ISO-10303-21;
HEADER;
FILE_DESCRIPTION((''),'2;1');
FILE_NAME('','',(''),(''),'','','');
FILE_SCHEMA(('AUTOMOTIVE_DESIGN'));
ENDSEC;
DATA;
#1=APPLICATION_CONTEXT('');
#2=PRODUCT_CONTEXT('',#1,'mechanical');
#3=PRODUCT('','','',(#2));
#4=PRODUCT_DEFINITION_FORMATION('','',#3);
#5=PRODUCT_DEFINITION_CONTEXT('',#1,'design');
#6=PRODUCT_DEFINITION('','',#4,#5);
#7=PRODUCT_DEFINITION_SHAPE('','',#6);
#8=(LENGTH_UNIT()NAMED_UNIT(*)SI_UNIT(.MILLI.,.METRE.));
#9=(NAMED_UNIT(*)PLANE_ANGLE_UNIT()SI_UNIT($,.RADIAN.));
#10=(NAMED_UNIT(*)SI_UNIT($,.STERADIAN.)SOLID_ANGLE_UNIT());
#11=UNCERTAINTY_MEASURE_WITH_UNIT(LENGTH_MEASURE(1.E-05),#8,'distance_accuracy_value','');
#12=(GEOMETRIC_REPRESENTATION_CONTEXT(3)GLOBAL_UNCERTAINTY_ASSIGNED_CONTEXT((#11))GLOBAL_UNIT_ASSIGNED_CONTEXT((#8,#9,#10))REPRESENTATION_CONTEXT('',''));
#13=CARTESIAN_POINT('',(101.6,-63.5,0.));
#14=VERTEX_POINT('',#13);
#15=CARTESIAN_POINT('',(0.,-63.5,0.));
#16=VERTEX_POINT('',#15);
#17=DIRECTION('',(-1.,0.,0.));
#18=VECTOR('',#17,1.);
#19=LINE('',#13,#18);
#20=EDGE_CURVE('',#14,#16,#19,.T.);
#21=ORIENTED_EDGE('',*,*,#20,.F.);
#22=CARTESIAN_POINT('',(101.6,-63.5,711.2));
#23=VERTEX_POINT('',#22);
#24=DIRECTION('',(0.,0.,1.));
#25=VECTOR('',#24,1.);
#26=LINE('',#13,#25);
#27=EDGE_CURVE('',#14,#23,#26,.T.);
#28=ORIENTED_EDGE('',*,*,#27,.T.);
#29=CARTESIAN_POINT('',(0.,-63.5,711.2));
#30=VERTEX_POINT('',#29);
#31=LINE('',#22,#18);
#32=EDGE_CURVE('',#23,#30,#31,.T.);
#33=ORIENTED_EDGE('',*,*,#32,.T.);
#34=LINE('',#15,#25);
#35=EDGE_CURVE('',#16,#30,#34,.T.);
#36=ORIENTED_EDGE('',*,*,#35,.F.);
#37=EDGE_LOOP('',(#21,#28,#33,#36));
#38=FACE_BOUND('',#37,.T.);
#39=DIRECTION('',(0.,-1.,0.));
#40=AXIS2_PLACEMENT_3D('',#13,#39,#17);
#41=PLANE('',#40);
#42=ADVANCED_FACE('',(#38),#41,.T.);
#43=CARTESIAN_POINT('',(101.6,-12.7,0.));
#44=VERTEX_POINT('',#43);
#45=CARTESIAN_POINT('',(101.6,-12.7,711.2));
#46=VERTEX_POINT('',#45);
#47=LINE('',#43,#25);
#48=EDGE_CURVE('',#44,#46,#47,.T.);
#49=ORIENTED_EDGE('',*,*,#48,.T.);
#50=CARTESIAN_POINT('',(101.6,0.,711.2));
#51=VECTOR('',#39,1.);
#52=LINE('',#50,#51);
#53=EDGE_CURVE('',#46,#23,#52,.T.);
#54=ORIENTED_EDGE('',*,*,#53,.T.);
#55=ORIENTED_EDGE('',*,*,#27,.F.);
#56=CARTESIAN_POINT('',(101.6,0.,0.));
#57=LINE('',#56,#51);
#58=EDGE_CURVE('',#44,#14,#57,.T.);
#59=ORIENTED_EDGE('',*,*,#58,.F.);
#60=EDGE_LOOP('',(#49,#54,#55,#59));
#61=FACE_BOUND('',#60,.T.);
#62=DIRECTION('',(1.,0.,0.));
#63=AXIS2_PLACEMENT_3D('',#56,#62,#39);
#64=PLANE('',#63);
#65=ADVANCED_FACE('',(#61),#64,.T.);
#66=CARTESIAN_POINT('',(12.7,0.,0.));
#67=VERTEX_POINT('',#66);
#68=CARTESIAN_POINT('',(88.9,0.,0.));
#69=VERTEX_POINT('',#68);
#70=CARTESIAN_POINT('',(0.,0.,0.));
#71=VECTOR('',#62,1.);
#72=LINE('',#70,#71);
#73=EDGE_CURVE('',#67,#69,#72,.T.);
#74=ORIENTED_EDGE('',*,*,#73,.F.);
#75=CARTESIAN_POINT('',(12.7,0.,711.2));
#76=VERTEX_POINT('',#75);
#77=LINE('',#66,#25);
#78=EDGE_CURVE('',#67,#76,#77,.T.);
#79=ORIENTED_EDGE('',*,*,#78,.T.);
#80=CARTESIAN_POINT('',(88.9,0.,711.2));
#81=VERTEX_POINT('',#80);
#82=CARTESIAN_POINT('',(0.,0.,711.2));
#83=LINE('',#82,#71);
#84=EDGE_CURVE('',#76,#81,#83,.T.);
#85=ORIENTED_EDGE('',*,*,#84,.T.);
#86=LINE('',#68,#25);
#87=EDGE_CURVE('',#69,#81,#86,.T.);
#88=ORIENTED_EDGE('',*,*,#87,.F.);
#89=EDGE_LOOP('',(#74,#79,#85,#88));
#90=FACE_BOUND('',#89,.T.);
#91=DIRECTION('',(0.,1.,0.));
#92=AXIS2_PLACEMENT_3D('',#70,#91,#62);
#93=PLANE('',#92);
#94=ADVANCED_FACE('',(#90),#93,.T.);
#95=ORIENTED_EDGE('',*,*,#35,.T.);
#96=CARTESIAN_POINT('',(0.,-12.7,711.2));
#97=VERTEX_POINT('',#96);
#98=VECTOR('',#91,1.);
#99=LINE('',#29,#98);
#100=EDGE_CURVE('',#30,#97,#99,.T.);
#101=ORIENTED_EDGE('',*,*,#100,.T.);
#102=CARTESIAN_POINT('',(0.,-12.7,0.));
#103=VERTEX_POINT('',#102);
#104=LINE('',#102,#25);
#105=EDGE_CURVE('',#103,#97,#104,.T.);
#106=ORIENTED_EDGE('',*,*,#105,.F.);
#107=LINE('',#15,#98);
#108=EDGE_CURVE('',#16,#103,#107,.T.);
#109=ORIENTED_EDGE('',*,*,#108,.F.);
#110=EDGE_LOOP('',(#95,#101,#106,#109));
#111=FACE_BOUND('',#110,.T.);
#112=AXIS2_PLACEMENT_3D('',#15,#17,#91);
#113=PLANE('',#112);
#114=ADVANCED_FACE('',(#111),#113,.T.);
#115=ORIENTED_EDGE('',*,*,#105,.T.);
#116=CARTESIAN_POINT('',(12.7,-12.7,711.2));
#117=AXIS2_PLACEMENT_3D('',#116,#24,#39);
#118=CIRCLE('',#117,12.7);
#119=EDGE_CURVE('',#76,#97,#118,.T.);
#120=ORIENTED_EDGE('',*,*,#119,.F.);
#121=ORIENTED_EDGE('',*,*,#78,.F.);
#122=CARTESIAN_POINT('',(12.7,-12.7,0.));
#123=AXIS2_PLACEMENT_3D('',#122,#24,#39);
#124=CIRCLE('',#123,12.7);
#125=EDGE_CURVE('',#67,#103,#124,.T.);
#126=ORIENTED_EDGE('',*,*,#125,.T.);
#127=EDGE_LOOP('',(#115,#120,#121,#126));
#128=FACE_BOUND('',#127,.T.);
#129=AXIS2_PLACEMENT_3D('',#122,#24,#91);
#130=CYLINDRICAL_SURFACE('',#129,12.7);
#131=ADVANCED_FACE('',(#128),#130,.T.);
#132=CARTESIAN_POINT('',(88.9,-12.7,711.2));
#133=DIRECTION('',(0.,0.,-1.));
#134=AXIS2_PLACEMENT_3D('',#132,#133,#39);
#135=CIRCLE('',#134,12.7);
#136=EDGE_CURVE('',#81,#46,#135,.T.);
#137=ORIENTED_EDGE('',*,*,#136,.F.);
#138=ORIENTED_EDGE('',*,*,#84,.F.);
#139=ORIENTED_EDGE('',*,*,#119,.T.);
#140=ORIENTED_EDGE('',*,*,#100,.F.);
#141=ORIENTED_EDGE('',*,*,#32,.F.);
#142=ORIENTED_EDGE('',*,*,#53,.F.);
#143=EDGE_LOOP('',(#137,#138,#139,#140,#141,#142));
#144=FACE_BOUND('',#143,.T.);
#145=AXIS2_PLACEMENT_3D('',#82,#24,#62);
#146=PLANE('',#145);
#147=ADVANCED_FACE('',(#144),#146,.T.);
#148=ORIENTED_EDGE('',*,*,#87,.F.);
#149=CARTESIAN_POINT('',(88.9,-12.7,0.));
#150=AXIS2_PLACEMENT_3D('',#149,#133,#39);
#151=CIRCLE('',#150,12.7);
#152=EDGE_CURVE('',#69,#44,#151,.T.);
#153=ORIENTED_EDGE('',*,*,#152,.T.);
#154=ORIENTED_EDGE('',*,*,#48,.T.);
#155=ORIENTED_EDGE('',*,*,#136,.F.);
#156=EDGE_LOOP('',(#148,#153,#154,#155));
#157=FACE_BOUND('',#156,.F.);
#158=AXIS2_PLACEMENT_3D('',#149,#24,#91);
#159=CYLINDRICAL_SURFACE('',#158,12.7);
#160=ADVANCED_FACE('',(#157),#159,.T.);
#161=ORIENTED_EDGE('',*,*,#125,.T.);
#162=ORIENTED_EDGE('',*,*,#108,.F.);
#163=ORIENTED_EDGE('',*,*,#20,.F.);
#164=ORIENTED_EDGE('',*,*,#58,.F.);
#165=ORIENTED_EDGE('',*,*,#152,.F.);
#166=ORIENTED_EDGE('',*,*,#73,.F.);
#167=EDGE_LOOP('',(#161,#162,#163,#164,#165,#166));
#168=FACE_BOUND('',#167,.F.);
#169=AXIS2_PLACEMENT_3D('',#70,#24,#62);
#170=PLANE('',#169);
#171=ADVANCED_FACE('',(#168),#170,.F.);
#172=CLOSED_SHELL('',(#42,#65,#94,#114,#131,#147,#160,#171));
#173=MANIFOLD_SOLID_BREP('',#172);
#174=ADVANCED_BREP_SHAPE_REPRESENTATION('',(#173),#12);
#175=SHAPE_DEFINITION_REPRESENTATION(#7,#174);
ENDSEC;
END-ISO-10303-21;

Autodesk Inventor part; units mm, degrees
ref_plane "YZ Plane" through (0, 0, 0) normal (1, 0, 0) x (0, 1, 0)
ref_plane "XZ Plane" through (0, 0, 0) normal (0, 1, 0) x (-1, 0, 0)
ref_plane "XY Plane" through (0, 0, 0) normal (0, 0, 1) x (1, 0, 0)
sketch "Sketch1" plane through (0, 0, 0) normal (0, 0, 1) x (1, 0, 0)
  line L0 (0, 0) -> (101.6, 0)
  line L1 (101.6, 0) -> (101.6, -63.5)
  line L2 (101.6, -63.5) -> (0, -63.5)
  line L3 (0, -63.5) -> (0, 0)
  dimension "d0" = 101.6
  dimension "d1" = 63.5
extrude "Extrusion1" add sketch "Sketch1" along normal blind 711.2
fillet "Fillet1" radius 12.7 2 edges at (101.6, 0, 355.6) (0, 0, 355.6)
sketch "Sketch2" plane through (12.7, 0, 0) normal (0, 1, 0) x (1, 0, 0)
  line L0 (-6.4537, -428.3305) -> (-6.4537, -369.6841) construction
  line L1 (-6.4537, -369.6841) -> (304.8235, -369.6841) construction
  line L2 (304.8235, -369.6841) -> (304.8235, -428.3305) construction
  line L3 (304.8235, -428.3305) -> (-6.4537, -428.3305) construction
  point P0 (-12.7, 0)
properties part number "Bumper Long"
